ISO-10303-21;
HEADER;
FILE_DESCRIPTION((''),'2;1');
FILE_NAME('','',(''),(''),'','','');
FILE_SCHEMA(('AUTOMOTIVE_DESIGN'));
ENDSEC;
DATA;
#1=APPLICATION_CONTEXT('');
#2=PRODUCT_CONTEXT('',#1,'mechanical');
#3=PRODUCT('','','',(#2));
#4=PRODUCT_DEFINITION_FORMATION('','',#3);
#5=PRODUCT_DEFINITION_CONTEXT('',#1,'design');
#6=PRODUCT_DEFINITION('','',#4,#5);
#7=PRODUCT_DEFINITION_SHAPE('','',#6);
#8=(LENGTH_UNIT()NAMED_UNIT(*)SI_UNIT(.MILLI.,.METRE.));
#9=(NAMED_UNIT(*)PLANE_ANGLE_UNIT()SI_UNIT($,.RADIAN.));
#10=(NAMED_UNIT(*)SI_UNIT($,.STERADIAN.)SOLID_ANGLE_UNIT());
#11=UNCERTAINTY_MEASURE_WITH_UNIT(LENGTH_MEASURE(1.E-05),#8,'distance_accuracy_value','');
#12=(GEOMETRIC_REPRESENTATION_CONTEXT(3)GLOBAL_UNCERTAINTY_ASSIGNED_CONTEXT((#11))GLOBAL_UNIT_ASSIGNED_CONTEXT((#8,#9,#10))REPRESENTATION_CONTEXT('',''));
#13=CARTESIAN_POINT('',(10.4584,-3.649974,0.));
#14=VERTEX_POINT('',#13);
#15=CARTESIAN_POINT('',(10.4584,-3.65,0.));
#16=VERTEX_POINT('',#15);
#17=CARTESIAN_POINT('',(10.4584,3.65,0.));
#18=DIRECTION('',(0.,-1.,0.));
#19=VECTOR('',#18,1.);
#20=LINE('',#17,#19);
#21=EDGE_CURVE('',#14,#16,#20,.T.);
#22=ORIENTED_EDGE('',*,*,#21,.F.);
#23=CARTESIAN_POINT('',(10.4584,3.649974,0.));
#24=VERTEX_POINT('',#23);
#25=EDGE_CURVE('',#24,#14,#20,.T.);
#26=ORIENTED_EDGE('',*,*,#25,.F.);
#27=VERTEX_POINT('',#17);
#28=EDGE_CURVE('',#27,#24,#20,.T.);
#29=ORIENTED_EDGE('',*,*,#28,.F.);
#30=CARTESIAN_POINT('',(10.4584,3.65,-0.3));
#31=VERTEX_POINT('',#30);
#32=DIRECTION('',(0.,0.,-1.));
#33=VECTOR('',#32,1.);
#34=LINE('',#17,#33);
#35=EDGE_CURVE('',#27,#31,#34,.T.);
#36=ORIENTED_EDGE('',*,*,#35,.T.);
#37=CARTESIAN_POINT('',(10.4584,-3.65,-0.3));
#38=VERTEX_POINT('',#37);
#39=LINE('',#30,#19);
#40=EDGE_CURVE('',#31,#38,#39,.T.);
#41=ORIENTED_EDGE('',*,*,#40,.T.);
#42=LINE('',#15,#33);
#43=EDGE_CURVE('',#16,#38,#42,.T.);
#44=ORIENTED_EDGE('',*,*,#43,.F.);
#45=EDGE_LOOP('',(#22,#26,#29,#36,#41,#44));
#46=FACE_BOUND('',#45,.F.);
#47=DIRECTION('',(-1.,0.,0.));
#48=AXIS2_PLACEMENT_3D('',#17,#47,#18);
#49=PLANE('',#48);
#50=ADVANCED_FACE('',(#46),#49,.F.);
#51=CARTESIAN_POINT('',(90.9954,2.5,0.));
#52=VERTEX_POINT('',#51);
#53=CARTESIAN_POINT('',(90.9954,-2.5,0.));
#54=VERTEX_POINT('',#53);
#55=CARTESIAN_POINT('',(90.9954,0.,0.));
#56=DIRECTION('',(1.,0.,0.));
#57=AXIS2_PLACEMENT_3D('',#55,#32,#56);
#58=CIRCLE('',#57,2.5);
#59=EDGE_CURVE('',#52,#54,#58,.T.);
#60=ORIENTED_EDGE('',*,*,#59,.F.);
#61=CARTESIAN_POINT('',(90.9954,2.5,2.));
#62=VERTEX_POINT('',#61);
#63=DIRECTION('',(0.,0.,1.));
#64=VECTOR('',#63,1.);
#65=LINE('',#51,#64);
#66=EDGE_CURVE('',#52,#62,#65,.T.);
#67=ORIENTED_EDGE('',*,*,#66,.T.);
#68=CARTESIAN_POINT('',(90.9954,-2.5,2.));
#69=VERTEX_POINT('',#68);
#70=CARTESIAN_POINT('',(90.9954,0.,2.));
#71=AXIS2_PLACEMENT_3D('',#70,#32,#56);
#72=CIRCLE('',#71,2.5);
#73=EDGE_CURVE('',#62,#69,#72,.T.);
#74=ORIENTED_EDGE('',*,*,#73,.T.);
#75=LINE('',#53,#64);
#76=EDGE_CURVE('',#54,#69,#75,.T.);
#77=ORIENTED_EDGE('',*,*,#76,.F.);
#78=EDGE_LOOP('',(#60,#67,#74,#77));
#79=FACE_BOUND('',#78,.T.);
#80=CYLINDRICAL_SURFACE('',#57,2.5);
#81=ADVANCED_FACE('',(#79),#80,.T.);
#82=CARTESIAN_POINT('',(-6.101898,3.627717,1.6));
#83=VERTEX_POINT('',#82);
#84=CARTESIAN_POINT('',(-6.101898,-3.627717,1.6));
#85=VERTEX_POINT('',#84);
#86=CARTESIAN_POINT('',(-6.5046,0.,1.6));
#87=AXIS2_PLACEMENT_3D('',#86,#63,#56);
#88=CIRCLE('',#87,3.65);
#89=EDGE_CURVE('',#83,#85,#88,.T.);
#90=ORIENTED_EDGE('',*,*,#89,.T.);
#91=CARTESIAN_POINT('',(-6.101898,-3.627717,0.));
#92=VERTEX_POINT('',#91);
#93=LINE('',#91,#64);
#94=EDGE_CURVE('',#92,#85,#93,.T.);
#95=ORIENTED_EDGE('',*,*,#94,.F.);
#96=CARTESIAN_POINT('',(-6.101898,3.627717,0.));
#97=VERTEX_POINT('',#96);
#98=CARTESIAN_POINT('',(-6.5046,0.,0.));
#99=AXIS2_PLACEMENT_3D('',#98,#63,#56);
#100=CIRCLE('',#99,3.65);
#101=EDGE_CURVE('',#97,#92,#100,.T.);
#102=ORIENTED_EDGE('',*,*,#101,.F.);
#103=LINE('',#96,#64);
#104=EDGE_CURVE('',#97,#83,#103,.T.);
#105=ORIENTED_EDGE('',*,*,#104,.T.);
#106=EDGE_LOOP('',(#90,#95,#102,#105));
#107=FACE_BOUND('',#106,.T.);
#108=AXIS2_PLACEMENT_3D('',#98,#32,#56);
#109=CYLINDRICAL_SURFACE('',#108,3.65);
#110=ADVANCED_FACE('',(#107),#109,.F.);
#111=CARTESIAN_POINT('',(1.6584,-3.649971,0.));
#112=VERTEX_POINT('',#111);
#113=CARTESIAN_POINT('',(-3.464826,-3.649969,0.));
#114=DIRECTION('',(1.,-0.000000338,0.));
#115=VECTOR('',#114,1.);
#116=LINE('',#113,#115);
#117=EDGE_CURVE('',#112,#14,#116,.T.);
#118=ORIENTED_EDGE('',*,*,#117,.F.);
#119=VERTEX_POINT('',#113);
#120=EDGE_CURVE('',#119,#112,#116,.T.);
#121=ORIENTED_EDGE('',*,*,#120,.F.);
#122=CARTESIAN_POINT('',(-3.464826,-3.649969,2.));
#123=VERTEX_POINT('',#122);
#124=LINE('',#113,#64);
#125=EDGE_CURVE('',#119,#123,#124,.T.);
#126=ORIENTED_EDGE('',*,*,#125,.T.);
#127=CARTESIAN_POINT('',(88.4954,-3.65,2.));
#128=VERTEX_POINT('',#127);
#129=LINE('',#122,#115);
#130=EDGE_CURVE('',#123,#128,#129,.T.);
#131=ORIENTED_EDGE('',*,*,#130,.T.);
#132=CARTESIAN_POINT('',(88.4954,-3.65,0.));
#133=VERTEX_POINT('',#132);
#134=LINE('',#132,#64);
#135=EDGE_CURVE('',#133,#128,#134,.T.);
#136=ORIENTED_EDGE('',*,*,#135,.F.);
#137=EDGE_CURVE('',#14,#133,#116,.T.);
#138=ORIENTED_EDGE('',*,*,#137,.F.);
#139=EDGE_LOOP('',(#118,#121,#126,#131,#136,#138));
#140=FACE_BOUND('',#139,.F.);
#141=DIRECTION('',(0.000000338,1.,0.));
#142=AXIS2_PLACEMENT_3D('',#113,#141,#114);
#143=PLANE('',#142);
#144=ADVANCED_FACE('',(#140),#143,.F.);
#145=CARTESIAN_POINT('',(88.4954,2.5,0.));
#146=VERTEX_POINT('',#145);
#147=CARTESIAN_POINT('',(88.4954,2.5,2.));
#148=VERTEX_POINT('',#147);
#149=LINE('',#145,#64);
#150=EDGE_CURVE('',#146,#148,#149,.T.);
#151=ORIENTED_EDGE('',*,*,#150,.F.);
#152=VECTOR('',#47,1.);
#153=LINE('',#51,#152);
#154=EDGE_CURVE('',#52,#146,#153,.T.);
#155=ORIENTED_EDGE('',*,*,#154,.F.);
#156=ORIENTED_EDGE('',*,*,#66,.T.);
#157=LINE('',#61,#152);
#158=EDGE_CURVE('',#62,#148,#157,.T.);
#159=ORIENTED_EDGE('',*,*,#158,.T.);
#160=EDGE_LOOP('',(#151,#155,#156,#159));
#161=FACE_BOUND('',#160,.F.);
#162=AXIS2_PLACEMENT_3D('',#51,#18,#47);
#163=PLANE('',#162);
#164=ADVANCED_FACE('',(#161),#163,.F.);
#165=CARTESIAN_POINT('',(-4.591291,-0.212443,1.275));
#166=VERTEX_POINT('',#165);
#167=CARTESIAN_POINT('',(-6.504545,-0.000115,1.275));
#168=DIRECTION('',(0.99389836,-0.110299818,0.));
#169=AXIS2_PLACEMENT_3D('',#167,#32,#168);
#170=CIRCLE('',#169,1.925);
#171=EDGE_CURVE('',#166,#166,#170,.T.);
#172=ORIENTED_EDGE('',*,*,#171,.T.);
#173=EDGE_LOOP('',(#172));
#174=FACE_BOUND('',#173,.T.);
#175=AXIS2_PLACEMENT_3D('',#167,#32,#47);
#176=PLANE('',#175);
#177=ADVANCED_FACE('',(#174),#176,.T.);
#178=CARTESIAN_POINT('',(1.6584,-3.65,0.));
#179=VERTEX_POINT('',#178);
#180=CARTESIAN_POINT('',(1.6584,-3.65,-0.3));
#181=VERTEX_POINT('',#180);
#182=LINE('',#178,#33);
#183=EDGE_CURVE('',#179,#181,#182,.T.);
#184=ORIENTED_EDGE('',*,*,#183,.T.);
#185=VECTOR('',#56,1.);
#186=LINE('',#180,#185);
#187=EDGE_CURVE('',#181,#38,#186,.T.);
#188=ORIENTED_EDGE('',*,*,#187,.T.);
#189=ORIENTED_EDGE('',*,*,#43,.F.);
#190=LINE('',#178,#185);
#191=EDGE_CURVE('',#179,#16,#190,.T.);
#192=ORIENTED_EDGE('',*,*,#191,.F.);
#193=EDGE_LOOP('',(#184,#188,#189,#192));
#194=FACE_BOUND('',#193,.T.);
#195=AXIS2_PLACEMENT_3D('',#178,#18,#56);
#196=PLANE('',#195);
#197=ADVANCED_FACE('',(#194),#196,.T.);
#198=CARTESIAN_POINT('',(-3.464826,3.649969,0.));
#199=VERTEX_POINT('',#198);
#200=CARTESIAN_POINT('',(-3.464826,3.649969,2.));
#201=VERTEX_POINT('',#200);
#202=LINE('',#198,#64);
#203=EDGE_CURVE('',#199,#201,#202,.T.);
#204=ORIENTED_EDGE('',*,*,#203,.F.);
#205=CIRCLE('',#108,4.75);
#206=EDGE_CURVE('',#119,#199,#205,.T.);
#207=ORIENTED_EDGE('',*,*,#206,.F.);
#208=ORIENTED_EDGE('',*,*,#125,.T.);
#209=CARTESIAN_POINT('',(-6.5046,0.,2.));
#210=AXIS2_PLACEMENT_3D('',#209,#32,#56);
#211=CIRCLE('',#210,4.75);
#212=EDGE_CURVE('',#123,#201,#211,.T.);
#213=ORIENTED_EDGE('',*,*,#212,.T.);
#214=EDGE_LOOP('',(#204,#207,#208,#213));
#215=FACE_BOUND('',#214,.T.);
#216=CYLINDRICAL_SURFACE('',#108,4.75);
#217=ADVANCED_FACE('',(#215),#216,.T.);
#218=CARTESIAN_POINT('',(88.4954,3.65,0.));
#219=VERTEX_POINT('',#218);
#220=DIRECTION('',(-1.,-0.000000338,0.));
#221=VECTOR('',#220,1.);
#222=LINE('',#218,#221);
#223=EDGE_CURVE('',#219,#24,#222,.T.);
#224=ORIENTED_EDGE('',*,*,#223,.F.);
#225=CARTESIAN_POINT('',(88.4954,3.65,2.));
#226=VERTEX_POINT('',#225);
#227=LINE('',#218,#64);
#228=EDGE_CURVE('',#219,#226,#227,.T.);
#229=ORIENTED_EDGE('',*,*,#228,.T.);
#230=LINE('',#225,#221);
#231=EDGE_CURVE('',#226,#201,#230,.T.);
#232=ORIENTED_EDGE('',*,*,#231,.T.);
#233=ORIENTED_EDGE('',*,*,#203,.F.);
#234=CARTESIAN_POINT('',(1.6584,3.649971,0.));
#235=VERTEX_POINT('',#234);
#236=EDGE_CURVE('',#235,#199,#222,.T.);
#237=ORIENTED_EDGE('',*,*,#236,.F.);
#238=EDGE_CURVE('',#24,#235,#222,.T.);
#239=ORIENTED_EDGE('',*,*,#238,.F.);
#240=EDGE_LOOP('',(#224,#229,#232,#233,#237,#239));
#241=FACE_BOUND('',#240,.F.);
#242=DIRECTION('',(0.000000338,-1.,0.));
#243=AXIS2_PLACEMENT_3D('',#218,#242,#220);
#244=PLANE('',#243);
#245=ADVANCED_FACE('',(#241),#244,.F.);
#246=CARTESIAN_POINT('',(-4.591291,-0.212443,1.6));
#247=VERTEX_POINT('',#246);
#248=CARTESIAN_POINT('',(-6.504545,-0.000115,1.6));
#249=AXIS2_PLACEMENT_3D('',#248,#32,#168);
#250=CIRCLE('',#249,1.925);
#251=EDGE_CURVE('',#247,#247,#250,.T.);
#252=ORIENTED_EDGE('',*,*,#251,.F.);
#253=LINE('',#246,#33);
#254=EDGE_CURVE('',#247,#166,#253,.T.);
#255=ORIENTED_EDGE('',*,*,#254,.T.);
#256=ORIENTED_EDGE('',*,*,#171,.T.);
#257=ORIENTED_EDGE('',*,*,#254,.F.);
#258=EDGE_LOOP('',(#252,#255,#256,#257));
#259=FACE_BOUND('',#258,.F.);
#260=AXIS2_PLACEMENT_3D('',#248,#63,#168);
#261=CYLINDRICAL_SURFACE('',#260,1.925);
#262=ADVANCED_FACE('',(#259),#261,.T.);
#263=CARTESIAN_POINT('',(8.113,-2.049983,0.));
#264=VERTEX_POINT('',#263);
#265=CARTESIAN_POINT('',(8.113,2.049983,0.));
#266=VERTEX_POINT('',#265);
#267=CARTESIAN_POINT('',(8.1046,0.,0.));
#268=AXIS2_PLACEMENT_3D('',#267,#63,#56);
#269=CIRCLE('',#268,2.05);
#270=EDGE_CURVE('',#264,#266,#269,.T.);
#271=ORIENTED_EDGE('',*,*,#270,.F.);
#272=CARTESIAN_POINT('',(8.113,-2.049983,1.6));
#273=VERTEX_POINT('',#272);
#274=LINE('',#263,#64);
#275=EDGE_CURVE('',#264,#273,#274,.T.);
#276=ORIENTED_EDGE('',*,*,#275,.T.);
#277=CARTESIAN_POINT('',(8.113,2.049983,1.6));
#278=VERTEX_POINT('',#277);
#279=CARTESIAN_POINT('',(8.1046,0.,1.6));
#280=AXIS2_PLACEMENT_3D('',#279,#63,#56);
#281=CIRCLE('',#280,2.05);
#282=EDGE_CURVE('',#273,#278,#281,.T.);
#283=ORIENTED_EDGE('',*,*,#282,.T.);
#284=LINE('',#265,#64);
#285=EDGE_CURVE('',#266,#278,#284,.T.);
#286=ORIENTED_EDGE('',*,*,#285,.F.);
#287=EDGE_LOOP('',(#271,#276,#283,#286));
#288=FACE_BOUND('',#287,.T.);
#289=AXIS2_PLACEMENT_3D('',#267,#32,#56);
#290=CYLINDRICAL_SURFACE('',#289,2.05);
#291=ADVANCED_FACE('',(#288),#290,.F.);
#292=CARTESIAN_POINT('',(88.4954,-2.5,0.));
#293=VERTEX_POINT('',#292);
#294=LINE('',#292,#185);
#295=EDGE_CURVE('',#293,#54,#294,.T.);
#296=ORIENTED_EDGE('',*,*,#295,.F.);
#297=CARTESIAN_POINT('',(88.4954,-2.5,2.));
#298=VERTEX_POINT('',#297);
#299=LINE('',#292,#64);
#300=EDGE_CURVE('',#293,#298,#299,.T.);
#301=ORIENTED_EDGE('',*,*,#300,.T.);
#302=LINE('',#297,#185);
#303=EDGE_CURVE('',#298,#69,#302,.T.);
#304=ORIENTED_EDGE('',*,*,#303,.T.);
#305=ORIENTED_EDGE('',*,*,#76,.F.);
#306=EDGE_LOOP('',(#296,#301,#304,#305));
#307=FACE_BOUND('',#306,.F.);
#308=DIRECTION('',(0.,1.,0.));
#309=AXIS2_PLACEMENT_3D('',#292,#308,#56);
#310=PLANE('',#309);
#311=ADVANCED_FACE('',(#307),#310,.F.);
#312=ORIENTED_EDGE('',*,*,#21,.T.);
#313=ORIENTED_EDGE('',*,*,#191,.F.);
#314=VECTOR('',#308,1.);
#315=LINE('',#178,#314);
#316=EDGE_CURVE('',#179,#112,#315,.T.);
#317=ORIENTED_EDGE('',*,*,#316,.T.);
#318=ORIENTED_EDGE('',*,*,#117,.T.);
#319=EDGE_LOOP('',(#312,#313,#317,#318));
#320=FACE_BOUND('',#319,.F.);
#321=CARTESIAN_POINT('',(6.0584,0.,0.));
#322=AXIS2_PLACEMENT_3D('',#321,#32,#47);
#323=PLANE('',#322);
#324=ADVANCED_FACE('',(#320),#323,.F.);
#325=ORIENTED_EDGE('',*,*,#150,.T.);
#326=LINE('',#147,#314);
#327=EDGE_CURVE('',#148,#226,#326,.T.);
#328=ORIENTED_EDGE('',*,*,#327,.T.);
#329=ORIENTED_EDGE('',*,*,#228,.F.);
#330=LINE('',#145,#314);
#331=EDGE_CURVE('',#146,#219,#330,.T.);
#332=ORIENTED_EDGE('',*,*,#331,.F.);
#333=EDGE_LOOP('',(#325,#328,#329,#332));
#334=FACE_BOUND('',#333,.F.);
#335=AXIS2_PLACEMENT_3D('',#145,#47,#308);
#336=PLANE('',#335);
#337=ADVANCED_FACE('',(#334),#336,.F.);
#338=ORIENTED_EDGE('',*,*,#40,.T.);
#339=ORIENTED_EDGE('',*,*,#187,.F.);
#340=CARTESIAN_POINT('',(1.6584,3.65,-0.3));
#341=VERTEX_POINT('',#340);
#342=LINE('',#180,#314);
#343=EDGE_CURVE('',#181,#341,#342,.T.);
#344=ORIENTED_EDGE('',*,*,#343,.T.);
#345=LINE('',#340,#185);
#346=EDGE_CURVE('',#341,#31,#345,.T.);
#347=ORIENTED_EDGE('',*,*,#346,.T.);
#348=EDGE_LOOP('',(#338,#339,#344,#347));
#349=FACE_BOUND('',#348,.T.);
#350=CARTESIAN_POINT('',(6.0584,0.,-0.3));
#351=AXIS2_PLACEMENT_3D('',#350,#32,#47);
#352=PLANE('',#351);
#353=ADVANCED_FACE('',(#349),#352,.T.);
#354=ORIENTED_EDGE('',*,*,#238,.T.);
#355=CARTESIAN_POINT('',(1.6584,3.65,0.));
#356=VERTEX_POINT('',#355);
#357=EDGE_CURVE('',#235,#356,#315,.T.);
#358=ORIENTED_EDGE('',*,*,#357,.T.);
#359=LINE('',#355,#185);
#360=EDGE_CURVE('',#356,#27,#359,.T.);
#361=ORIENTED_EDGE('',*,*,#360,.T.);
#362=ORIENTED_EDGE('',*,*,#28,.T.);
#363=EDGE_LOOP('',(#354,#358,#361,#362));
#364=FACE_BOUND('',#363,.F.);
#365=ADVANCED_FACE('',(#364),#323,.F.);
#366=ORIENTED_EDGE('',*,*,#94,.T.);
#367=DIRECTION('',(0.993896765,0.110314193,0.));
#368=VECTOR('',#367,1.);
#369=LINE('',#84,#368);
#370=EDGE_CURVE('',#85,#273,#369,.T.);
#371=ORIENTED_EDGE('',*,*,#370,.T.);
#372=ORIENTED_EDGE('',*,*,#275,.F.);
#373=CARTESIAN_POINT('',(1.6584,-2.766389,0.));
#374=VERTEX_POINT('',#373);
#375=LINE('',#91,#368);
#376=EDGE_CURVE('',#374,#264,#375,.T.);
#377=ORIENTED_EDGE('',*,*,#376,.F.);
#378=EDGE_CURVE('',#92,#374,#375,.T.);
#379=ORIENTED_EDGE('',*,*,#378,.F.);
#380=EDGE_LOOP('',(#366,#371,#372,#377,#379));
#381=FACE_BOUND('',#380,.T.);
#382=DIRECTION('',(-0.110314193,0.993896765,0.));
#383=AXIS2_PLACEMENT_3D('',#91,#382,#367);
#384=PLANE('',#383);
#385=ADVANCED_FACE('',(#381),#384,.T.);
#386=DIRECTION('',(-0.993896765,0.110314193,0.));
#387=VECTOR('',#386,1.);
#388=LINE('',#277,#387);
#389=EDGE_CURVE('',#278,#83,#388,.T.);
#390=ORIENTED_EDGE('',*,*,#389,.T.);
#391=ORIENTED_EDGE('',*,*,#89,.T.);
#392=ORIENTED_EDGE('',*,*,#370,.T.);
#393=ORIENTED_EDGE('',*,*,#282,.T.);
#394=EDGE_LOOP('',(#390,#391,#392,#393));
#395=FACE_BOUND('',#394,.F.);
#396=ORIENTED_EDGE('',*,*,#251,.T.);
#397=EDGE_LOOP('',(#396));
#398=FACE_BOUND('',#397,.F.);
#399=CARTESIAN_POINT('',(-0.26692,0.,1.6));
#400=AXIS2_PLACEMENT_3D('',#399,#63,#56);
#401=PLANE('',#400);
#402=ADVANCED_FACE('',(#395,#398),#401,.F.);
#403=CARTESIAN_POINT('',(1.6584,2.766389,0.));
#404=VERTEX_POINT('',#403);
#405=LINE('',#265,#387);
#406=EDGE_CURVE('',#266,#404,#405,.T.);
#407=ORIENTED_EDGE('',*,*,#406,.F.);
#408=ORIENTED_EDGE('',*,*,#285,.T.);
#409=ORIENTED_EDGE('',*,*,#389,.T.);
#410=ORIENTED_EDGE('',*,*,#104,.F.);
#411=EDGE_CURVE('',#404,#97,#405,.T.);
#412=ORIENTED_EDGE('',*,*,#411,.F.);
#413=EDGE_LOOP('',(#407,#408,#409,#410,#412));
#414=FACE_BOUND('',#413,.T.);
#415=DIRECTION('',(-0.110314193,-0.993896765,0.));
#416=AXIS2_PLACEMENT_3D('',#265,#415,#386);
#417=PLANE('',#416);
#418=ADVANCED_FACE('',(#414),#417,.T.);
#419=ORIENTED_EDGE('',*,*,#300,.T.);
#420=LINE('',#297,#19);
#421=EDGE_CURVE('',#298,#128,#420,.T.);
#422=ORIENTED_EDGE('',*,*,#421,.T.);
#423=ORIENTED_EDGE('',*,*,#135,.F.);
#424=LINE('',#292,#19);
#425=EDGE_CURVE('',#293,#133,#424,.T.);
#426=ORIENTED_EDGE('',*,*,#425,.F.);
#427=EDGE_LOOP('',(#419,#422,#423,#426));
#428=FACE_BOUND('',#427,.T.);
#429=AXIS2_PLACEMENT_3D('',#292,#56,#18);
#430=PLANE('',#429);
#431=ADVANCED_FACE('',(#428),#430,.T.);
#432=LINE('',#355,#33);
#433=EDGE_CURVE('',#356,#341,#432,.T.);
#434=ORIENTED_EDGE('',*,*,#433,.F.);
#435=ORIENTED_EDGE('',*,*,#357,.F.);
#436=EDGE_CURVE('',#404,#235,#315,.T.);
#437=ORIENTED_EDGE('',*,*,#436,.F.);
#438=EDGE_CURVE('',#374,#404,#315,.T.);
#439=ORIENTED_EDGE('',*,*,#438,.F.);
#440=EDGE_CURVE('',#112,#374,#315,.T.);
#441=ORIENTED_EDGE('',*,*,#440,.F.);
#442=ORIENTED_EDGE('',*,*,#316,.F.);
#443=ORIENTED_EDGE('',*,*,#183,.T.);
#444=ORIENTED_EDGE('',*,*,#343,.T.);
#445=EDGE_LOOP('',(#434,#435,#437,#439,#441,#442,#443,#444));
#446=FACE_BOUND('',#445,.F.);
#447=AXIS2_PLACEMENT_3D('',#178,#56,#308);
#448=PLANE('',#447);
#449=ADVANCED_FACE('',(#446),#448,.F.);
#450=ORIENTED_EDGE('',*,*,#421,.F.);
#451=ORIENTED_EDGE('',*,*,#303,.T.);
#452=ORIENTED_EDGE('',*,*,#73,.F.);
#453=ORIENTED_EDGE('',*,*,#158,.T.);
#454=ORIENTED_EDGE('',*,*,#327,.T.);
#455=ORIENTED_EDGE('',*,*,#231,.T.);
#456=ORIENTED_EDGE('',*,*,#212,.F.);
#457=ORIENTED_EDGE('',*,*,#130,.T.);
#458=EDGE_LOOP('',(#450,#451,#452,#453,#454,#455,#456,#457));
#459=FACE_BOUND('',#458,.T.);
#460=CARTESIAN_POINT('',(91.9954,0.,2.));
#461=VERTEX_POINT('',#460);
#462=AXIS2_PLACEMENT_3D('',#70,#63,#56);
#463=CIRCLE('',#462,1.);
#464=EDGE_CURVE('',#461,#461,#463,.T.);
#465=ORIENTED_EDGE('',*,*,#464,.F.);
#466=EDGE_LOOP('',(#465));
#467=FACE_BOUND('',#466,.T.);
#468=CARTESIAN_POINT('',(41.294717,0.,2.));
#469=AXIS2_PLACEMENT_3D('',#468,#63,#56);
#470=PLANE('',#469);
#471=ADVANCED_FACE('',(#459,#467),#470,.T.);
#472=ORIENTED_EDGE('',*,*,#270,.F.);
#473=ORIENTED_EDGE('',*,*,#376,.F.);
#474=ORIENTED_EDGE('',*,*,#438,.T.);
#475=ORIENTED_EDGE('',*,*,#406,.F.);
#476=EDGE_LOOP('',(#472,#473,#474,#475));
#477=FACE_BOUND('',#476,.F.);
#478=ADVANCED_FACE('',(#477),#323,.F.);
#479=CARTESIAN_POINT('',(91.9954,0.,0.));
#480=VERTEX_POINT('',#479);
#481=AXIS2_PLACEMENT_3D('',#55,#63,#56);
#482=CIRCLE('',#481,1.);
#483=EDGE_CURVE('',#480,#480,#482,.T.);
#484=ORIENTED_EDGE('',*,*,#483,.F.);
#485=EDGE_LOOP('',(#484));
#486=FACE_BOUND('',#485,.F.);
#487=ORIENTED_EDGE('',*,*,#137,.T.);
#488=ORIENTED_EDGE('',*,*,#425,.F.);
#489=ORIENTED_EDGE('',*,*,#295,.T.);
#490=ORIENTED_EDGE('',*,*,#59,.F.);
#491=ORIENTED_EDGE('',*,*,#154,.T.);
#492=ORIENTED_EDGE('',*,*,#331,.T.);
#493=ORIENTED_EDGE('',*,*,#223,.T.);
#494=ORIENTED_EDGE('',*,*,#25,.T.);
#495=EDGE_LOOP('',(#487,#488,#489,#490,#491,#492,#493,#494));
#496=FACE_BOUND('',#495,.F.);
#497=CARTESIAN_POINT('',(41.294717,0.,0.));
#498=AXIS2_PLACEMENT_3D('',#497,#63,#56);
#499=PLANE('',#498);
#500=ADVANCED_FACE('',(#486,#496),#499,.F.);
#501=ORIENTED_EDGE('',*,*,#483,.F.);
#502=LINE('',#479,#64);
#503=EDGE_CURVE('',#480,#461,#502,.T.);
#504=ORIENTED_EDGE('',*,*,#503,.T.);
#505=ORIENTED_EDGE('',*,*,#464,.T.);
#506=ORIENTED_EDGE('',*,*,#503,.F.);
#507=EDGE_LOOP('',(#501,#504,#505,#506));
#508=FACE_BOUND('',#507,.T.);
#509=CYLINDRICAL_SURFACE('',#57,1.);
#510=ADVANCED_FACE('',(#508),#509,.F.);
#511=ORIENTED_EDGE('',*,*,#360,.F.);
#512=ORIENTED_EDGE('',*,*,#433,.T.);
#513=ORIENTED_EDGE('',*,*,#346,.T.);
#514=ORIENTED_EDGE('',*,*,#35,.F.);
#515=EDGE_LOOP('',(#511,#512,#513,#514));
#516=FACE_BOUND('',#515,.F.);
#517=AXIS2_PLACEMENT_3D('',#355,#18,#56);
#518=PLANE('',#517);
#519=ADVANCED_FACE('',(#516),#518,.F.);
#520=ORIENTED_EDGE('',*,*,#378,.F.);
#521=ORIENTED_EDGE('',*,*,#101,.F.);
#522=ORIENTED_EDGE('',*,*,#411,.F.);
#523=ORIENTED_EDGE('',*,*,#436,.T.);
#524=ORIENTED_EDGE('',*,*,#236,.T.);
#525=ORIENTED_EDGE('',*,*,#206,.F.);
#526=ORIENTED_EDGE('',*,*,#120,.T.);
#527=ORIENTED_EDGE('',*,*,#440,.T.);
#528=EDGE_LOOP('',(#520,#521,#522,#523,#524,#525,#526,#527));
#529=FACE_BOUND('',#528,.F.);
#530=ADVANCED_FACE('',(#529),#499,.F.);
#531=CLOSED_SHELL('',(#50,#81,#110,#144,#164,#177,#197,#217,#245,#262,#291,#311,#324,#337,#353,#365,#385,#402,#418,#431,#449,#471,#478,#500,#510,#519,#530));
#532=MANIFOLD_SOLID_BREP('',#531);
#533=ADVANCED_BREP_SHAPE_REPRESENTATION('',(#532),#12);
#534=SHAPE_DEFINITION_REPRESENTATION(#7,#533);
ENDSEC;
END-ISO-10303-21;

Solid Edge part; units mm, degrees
sketch "Sketch1" plane through (0, 0, 0) normal (0, 0, 1) x (1, 0, 0)
  line L0 (-3.4648, -3.65) -> (88.4954, -3.65)
  line L1 (88.4954, -2.5) -> (88.4954, -3.65)
  line L2 (88.4954, -2.5) -> (90.9954, -2.5)
  line L3 (90.9954, 2.5) -> (88.4954, 2.5)
  line L4 (88.4954, 2.5) -> (88.4954, 3.65)
  line L5 (88.4954, 3.65) -> (-3.4648, 3.65)
  arc A0 (90.9954, 2.5) -> (90.9954, -2.5) centre (90.9954, 0) cw
  arc A1 (-3.4648, -3.65) -> (-3.4648, 3.65) centre (-6.5046, 0) cw
  circle A2 centre (90.9954, 0) radius 1
extrude "Protrusion1" add sketch "Sketch1" along normal blind 2
sketch "Sketch2" plane through (0, 0, 0) normal (0, 0, 1) x (1, 0, 0)
  arc A0 (8.113, -2.05) -> (8.113, 2.05) centre (8.1046, 0) ccw
  line L0 (8.113, 2.05) -> (-6.1019, 3.6277)
  arc A1 (-6.1019, 3.6277) -> (-6.1019, -3.6277) centre (-6.5046, 0) ccw
  line L1 (-6.1019, -3.6277) -> (8.113, -2.05)
extrude "Wycięcie_1" cut sketch "Sketch2" along normal blind 1.6
sketch "Sketch3" plane through (-0.55, 0, 1.6) normal (0, 0, -1) x (0.9939, -0.1103, 0)
  circle A0 centre (-5.9182, 0.6569) radius 1.925
extrude "Wyciągnięcie_2" add sketch "Sketch3" along normal mid plane 0.65
sketch "Sketch4" plane through (41.9756, 0, 0) normal (0, 0, -1) x (1, 0, 0)
  line L0 (-31.5172, 3.65) -> (-36.3172, 3.65)
  line L1 (-40.3172, 3.65) -> (-36.3172, 3.65)
  line L2 (-40.3172, 3.65) -> (-40.3172, -3.65)
  line L3 (-40.3172, -3.65) -> (-31.5172, -3.65)
  line L4 (-31.5172, -3.65) -> (-31.5172, 3.65)
extrude "Wyciągnięcie_4" add sketch "Sketch4" along normal blind 0.3
chamfer "Faza_3" [suppressed]
chamfer "Faza_2" [suppressed]
